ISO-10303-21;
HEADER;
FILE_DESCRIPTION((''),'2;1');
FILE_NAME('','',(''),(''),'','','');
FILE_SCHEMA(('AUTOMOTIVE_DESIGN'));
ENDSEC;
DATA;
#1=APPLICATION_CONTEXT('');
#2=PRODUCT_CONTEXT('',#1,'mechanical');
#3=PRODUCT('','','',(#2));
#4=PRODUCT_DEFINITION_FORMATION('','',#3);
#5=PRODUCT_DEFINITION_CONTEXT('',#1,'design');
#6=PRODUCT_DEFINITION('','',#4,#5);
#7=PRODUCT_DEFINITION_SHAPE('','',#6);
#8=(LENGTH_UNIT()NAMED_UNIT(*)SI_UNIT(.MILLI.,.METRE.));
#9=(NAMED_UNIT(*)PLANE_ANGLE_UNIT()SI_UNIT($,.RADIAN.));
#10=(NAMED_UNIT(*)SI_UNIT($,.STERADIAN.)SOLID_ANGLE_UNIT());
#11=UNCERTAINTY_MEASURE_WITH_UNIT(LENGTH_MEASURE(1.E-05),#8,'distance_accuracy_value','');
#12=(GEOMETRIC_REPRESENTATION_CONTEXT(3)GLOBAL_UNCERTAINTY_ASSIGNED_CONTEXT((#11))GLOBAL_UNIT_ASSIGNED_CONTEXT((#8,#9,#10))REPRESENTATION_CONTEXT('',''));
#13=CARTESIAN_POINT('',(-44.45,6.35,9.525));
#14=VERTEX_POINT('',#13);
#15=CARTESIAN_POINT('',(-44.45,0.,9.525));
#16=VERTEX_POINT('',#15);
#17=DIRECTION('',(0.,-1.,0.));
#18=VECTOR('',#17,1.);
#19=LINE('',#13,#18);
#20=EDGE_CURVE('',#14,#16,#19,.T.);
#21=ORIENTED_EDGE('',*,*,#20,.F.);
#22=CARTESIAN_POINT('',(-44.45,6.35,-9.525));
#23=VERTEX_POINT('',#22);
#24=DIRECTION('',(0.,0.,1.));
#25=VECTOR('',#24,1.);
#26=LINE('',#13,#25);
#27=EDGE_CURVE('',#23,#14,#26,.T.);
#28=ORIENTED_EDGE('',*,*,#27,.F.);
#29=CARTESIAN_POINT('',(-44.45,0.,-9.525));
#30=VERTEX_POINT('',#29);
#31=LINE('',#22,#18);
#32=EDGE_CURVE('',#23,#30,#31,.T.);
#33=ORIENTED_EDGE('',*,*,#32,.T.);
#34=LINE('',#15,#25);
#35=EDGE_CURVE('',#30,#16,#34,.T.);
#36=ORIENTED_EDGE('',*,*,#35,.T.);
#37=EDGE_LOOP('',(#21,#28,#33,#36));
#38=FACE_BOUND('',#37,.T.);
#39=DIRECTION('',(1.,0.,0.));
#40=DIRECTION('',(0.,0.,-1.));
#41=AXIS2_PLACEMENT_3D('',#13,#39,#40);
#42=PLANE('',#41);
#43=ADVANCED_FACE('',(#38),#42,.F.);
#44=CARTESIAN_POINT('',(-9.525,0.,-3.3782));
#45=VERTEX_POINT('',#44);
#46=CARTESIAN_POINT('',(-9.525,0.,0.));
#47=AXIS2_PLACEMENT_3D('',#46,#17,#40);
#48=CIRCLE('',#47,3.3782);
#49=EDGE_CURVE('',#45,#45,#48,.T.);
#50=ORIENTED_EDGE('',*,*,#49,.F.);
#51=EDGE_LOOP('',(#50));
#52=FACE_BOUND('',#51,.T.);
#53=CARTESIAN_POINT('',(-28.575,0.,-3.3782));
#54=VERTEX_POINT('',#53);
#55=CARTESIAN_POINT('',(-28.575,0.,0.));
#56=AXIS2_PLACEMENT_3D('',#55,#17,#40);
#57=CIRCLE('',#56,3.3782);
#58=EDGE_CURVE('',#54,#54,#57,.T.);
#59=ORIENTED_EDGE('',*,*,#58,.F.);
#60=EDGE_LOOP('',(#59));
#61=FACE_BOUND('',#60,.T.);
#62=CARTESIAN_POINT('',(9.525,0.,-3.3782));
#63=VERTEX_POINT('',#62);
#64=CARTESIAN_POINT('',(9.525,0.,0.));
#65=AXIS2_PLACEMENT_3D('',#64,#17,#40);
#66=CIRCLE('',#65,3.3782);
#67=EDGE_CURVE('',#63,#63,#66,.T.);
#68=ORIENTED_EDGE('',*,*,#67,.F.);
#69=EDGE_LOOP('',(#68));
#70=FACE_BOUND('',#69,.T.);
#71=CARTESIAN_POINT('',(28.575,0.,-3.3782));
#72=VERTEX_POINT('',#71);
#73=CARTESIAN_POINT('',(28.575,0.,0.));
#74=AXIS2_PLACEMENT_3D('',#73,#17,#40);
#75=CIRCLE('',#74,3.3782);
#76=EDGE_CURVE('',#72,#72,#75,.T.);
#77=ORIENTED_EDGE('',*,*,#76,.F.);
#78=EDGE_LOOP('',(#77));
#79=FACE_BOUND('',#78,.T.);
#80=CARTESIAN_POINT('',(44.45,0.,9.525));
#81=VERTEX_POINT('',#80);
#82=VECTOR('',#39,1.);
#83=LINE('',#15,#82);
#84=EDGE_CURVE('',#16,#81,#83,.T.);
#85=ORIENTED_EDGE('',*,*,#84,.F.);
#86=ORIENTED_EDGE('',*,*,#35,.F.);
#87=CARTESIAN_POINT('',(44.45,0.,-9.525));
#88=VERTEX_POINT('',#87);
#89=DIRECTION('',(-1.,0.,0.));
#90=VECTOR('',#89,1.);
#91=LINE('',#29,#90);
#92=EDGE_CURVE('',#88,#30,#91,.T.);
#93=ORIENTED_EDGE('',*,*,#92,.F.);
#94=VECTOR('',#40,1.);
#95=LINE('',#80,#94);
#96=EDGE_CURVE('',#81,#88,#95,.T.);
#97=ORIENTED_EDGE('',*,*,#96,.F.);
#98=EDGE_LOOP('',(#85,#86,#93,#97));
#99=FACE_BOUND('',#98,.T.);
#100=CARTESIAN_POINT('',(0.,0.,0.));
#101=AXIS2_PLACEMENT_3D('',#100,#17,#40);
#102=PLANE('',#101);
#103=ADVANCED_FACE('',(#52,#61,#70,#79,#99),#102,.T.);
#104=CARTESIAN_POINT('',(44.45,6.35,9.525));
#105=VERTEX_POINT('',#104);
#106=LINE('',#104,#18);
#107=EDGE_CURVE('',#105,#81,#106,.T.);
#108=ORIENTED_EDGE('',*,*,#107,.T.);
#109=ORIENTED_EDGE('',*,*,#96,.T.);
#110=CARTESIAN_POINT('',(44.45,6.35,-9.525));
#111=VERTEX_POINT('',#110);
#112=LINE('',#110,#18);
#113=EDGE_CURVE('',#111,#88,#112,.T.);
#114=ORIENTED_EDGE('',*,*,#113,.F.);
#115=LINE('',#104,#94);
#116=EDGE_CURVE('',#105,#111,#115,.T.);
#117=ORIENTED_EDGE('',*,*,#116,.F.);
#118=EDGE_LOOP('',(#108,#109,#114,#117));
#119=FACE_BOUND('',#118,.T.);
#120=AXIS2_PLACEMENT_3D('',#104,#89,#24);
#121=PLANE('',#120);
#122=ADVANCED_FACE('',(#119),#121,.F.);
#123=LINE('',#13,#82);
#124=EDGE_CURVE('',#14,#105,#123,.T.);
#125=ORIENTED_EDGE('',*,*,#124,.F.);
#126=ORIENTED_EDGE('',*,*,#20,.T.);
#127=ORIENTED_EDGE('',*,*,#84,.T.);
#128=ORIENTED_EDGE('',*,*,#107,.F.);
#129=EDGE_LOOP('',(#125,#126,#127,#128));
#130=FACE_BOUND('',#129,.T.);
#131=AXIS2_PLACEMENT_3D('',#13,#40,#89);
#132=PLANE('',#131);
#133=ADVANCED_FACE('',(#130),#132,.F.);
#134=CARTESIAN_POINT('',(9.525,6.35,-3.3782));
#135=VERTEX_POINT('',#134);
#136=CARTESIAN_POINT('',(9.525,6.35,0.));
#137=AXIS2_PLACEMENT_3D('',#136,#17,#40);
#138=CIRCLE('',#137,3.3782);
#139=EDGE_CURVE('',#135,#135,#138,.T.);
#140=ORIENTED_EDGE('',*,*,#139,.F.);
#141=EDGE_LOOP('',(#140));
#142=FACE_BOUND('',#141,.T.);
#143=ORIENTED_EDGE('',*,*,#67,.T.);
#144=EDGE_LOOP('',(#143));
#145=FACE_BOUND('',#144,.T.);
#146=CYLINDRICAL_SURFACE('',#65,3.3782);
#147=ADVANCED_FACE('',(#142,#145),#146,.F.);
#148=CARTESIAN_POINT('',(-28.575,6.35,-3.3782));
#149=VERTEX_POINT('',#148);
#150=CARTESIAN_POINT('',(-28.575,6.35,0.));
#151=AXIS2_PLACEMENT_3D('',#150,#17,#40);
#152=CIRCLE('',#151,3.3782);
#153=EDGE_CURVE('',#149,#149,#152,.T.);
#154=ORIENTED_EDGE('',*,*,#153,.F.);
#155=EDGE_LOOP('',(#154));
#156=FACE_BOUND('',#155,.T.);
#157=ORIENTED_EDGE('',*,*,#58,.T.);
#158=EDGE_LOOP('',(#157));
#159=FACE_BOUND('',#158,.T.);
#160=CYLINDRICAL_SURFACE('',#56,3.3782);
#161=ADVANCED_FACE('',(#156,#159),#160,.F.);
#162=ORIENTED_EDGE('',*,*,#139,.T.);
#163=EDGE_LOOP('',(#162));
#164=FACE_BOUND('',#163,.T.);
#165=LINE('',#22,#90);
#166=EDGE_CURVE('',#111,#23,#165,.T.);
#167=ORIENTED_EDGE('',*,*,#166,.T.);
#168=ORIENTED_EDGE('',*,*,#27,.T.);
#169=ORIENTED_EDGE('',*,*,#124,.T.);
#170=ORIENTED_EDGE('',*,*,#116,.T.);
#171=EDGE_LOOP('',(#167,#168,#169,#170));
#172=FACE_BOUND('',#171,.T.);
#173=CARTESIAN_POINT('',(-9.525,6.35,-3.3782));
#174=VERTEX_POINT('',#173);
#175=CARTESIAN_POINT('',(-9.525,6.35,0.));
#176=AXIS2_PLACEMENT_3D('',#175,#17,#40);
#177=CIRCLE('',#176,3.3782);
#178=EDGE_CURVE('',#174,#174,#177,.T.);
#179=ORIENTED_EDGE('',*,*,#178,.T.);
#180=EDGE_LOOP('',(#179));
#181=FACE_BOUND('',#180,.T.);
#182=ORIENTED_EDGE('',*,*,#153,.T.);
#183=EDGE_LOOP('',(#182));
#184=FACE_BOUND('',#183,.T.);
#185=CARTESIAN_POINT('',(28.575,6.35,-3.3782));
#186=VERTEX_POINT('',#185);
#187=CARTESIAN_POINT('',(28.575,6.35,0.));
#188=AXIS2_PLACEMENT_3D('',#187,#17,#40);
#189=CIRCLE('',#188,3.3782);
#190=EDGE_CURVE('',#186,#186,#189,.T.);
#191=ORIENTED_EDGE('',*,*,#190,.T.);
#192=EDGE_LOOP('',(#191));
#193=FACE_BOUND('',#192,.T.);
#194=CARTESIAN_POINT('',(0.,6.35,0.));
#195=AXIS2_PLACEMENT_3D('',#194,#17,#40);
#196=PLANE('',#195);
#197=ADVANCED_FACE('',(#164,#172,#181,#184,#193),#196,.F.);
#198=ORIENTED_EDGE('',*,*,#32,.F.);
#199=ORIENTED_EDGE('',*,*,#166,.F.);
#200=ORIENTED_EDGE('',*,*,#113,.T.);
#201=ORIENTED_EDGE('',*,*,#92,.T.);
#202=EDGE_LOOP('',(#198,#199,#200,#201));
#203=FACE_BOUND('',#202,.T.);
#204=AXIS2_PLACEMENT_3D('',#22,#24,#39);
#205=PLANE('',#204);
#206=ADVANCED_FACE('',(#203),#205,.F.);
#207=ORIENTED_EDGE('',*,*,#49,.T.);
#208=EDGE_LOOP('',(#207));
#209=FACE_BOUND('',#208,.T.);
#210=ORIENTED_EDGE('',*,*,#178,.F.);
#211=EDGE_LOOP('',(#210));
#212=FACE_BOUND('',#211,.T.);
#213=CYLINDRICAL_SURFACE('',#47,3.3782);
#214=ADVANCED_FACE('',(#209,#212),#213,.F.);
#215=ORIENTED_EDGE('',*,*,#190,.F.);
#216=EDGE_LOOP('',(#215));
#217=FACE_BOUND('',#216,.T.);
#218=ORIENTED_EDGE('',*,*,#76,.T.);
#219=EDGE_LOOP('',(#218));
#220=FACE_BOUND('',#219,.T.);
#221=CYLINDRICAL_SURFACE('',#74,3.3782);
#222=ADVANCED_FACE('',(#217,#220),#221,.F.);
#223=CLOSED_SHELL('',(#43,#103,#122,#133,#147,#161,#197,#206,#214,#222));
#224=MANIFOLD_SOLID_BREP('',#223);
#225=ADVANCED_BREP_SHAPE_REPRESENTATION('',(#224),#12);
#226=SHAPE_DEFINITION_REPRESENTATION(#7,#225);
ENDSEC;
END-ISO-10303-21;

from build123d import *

# Parameters (mm, degrees)
SKETCH1_W               = 88.9
SKETCH1_H               = 19.05
BOSS_EXTRUDE1_DEPTH     = 6.35
F_1_4_CLEARANCE_HOLE1_D = 6.7564


with BuildPart() as part:
    # Sketch1 → Boss-Extrude1 (new body)
    with BuildSketch(Plane(origin=(0, 0, 0), x_dir=(1, 0, 0), z_dir=(0, 1, 0))):
        Rectangle(SKETCH1_W, SKETCH1_H)
    extrude(amount=BOSS_EXTRUDE1_DEPTH)

    # 1/4 Clearance Hole1 (through all)
    with Locations(Plane(origin=(0, 0, 0), x_dir=(-1, 0, 0), z_dir=(0, -1, 0))):
        with Locations((-28.575, 0), (28.575, 0), (9.525, 0), (-9.525, 0)):
            Hole(F_1_4_CLEARANCE_HOLE1_D / 2)


solid = part.part
